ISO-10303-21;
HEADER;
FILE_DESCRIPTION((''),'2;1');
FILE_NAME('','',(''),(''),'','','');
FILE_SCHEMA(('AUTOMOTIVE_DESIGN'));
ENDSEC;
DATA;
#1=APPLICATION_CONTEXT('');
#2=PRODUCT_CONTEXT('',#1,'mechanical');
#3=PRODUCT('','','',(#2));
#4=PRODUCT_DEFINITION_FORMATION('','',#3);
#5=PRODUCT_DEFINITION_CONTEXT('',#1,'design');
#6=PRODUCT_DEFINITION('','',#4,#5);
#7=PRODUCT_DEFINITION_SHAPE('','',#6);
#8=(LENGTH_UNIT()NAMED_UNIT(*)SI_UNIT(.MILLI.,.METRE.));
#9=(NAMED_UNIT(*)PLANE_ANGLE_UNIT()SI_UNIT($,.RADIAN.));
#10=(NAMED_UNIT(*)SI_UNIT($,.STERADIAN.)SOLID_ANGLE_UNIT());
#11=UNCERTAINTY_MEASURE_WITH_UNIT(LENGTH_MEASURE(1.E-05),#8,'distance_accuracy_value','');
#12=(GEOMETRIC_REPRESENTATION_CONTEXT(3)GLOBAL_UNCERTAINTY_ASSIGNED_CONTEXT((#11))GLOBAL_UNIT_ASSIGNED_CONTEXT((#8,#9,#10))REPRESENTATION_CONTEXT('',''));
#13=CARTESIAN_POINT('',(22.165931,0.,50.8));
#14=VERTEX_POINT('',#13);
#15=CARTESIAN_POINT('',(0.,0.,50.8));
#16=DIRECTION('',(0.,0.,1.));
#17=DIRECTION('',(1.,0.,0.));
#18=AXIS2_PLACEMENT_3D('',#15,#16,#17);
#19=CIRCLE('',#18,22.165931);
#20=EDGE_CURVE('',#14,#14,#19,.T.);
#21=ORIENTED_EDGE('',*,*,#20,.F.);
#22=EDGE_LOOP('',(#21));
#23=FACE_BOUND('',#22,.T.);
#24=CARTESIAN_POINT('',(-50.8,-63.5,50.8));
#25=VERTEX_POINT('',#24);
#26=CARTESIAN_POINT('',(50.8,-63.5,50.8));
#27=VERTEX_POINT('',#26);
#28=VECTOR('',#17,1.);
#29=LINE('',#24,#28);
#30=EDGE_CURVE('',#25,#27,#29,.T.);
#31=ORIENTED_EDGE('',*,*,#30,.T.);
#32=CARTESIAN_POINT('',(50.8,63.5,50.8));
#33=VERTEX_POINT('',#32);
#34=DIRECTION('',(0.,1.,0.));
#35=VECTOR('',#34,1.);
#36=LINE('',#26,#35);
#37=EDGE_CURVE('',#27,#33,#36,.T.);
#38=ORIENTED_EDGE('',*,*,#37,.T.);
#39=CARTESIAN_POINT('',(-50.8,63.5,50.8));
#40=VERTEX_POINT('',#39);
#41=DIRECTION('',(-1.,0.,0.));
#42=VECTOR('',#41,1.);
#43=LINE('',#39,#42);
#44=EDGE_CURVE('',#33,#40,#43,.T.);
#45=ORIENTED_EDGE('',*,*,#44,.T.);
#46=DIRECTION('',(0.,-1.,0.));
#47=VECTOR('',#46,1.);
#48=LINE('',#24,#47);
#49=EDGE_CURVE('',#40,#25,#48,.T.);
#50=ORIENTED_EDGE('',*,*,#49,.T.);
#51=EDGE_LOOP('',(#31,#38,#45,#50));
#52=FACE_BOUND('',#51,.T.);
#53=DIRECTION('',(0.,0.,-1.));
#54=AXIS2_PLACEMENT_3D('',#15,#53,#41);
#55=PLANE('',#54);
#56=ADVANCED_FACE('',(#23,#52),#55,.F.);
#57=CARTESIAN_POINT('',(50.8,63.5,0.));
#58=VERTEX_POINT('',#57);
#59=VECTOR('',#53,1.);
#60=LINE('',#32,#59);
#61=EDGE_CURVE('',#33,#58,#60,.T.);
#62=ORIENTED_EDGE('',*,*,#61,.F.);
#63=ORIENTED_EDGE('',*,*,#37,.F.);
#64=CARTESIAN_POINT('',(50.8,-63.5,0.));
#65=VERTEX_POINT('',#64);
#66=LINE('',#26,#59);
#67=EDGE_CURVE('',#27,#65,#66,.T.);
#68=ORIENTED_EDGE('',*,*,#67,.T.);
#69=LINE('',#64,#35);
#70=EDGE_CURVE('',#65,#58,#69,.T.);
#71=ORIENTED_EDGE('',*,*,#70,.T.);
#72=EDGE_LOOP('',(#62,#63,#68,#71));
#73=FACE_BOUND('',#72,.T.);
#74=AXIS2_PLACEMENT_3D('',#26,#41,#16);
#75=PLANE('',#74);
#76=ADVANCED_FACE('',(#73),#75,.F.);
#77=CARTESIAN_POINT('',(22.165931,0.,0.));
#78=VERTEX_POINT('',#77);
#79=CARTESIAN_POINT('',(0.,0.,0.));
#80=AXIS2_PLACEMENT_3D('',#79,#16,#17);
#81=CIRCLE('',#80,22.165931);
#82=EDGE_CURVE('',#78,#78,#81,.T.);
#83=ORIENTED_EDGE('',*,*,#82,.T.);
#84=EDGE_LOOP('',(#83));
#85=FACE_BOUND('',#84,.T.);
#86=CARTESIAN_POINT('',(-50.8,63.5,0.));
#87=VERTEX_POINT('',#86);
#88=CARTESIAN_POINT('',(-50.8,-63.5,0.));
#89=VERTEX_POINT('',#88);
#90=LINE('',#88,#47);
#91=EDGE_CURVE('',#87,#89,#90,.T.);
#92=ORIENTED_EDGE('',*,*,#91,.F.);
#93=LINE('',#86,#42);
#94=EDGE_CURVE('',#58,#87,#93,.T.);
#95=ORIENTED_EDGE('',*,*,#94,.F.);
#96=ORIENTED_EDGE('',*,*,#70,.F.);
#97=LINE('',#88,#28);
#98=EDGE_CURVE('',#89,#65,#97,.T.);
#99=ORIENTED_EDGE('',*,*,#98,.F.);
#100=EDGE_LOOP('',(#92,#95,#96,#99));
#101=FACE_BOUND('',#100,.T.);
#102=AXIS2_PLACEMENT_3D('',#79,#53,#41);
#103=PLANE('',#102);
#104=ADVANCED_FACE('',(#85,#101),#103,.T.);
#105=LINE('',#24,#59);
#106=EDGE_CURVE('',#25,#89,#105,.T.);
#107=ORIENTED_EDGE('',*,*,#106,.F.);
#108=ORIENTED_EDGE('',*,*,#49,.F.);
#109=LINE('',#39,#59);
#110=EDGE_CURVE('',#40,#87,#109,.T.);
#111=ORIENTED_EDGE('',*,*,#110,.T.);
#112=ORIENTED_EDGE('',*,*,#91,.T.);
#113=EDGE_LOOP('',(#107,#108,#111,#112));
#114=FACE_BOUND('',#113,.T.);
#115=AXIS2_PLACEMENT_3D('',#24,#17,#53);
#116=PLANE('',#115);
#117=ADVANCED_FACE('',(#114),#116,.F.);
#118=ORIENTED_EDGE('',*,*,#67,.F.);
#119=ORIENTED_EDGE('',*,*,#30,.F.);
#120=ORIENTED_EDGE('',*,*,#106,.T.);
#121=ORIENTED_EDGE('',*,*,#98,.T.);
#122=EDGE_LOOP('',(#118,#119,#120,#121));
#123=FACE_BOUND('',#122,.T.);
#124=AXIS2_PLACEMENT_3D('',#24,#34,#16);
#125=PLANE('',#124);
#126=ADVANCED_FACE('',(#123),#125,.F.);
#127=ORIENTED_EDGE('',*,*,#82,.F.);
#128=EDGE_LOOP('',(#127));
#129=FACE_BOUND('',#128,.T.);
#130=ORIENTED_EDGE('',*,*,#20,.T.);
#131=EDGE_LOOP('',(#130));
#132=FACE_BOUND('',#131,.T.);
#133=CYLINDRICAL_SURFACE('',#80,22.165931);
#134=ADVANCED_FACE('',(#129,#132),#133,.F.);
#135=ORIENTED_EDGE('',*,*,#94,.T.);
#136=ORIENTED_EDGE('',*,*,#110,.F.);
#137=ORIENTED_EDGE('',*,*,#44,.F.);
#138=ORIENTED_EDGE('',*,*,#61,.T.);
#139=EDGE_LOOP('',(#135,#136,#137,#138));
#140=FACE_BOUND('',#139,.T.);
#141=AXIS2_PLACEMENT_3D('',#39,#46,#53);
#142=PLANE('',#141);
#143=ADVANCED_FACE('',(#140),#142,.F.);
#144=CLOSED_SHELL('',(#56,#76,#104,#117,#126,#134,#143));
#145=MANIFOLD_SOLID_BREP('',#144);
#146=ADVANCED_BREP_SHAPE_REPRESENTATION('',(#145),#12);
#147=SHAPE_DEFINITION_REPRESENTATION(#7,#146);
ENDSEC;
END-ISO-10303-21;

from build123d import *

# Parameters (mm, degrees)
BLOCKBASE_W        = 101.6
BLOCKBASE_H        = 127
BLOCK_DEPTH        = 50.8
SKETCH1_R          = 22.165931145
CUT_EXTRUDE1_DEPTH = 96.882897328


with BuildPart() as part:
    # BlockBase → Block (new body)
    with BuildSketch(Plane.XY):
        Rectangle(BLOCKBASE_W, BLOCKBASE_H)
    extrude(amount=BLOCK_DEPTH)

    # Sketch1 → Cut-Extrude1 (cut, through all)
    with BuildSketch(Plane.XY.offset(50.8)):
        Circle(SKETCH1_R)
    extrude(amount=-CUT_EXTRUDE1_DEPTH, mode=Mode.SUBTRACT)


solid = part.part
